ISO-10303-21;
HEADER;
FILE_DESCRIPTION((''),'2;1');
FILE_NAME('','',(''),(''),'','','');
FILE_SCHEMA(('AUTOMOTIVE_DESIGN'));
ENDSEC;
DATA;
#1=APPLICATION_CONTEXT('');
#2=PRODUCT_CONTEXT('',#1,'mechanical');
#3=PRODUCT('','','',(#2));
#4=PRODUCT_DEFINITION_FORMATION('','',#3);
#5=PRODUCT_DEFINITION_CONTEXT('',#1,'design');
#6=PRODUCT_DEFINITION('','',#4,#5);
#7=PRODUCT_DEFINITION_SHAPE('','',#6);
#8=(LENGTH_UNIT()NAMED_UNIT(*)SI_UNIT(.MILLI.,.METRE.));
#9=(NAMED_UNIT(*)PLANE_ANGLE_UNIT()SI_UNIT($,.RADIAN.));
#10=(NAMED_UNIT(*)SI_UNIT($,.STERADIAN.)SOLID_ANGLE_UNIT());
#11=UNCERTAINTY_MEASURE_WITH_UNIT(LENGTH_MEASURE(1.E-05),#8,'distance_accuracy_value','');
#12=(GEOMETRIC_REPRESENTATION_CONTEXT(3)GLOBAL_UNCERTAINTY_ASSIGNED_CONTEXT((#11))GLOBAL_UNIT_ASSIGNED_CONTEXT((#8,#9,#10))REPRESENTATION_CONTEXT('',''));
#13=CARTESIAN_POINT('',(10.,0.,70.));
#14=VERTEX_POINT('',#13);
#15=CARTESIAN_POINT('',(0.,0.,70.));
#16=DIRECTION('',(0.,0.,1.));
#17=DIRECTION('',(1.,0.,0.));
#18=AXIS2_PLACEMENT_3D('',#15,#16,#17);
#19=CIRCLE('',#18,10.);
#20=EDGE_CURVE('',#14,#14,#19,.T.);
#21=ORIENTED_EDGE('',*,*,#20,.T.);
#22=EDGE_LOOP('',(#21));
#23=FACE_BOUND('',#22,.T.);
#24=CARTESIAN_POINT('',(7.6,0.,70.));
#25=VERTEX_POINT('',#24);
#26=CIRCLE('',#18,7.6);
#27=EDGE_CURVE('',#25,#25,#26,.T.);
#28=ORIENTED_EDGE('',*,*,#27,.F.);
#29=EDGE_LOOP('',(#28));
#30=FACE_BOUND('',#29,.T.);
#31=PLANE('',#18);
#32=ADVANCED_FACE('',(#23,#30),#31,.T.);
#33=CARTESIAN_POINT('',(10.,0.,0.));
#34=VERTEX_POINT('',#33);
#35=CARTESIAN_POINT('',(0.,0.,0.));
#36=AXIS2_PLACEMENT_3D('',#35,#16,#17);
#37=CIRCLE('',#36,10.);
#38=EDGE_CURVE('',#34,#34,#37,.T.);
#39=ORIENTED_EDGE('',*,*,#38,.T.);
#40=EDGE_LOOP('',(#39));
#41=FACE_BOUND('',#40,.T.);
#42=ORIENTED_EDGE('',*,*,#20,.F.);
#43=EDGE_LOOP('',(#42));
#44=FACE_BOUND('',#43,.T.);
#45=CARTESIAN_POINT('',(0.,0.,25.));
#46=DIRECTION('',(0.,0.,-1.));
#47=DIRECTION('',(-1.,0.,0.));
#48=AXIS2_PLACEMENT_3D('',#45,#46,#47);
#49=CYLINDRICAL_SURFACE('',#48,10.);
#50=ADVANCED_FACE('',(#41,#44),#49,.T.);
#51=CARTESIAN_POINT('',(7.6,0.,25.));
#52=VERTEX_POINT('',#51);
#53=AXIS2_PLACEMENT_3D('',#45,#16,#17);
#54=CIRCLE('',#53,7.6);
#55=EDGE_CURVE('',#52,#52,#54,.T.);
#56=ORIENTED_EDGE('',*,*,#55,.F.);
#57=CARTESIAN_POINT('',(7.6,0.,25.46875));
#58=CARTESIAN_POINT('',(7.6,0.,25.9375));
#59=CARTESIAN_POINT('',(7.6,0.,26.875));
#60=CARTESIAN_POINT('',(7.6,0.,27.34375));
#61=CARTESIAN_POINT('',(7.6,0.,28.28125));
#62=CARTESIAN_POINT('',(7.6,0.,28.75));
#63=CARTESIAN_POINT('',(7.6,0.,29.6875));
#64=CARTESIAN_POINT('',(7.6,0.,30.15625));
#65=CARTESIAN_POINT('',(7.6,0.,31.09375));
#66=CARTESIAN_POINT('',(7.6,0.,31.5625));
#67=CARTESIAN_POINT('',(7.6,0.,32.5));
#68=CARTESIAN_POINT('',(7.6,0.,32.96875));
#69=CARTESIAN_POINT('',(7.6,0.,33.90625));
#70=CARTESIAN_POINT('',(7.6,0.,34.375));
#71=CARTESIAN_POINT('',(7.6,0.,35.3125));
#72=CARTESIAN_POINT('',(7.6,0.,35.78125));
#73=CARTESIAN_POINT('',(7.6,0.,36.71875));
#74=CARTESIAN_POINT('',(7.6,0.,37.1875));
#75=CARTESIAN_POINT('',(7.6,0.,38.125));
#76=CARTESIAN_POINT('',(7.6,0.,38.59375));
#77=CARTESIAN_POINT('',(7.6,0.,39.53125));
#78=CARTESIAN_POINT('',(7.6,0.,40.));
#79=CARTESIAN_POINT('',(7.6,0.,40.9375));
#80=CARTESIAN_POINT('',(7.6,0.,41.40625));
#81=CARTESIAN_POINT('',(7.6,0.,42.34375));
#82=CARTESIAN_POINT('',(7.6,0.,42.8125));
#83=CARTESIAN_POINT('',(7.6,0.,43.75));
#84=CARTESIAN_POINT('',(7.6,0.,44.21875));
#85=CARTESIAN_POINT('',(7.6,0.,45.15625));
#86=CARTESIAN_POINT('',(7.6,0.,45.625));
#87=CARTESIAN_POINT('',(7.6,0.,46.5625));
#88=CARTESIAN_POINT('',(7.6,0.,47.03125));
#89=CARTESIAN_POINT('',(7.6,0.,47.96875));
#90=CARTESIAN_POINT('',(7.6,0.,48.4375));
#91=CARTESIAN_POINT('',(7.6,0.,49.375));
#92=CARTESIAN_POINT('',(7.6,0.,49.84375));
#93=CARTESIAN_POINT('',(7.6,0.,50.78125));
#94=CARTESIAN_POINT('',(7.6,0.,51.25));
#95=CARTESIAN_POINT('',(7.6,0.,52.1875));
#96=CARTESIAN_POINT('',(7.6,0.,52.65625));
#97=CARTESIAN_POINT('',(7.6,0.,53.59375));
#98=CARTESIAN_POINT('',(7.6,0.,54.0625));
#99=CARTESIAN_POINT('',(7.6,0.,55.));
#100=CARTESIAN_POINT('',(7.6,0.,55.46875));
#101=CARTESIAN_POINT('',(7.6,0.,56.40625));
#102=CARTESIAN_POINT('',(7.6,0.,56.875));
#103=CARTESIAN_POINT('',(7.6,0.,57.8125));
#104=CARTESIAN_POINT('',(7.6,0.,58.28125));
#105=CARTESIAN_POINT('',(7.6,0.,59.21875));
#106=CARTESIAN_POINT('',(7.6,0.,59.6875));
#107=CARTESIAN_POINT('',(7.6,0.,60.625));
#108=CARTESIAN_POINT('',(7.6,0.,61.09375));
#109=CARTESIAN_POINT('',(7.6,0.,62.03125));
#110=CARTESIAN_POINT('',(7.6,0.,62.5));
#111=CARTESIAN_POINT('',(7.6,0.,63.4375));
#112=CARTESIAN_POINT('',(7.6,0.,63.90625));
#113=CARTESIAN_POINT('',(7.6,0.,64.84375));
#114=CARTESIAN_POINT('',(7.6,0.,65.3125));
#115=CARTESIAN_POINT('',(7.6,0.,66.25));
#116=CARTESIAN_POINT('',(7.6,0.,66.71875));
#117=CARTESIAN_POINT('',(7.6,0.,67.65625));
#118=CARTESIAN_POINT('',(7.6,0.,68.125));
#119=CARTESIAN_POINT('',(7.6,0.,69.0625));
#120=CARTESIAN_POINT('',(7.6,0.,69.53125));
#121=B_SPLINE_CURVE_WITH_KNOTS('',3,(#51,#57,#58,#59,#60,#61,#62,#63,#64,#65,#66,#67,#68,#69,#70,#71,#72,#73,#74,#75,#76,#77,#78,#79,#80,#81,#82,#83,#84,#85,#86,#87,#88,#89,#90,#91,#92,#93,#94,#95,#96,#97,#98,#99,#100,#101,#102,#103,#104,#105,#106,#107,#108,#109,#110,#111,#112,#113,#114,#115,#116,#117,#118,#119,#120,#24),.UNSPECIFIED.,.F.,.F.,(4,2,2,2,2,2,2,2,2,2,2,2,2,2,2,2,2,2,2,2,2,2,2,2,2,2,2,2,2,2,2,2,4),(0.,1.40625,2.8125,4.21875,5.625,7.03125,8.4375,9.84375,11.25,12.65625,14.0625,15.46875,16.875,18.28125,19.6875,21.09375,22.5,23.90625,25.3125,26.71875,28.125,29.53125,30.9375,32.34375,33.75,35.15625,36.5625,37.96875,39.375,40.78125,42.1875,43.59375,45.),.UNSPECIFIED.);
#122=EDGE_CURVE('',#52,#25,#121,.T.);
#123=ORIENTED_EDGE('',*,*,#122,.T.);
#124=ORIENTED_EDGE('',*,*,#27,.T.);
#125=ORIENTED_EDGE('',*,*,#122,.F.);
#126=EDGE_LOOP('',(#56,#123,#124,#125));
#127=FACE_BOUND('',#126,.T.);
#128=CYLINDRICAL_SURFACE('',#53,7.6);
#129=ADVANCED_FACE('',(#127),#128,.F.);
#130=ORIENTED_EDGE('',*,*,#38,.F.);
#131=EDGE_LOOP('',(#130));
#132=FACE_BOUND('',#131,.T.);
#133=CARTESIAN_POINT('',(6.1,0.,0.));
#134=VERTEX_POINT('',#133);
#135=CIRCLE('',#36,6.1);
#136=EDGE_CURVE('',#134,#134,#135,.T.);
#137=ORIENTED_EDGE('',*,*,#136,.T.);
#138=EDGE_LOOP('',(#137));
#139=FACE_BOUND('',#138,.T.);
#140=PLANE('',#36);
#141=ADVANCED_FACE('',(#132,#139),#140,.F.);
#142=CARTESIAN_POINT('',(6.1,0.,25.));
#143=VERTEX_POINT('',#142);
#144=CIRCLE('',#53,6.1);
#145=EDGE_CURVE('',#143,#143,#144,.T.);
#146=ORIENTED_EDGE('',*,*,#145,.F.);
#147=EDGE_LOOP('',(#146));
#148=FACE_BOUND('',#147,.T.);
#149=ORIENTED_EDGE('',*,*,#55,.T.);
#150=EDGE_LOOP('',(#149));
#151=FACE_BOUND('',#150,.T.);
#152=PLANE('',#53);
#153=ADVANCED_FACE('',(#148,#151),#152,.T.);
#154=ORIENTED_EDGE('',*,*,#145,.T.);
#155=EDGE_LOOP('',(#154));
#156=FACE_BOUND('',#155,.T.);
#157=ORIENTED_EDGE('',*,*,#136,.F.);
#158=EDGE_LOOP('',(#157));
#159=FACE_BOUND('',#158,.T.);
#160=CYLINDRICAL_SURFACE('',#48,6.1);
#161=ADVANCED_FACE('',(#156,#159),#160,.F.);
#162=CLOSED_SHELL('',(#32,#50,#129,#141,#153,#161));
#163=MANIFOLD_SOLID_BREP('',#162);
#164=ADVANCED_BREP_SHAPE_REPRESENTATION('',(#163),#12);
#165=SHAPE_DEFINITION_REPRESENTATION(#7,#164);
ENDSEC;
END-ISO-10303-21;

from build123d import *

# Parameters (mm, degrees)
SKETCH2_R           = 10
SKETCH2_R_2         = 6.1
BOSS_EXTRUDE1_DEPTH = 25
SKETCH3_R           = 10
BOSS_EXTRUDE2_DEPTH = 45
SKETCH4_R           = 7.6
CUT_EXTRUDE1_DEPTH  = 45


with BuildPart() as part:
    # Sketch2 → Boss-Extrude1 (new body)
    with BuildSketch(Plane.XY):
        Circle(SKETCH2_R)
        Circle(SKETCH2_R_2, mode=Mode.SUBTRACT)
    extrude(amount=BOSS_EXTRUDE1_DEPTH)

    # Sketch3 → Boss-Extrude2 (add)
    with BuildSketch(Plane.XY.offset(25)):
        Circle(SKETCH3_R)
    extrude(amount=BOSS_EXTRUDE2_DEPTH)

    # Sketch4 → Cut-Extrude1 (cut)
    with BuildSketch(Plane.XY.offset(70)):
        Circle(SKETCH4_R)
    extrude(amount=-CUT_EXTRUDE1_DEPTH, mode=Mode.SUBTRACT)


solid = part.part
